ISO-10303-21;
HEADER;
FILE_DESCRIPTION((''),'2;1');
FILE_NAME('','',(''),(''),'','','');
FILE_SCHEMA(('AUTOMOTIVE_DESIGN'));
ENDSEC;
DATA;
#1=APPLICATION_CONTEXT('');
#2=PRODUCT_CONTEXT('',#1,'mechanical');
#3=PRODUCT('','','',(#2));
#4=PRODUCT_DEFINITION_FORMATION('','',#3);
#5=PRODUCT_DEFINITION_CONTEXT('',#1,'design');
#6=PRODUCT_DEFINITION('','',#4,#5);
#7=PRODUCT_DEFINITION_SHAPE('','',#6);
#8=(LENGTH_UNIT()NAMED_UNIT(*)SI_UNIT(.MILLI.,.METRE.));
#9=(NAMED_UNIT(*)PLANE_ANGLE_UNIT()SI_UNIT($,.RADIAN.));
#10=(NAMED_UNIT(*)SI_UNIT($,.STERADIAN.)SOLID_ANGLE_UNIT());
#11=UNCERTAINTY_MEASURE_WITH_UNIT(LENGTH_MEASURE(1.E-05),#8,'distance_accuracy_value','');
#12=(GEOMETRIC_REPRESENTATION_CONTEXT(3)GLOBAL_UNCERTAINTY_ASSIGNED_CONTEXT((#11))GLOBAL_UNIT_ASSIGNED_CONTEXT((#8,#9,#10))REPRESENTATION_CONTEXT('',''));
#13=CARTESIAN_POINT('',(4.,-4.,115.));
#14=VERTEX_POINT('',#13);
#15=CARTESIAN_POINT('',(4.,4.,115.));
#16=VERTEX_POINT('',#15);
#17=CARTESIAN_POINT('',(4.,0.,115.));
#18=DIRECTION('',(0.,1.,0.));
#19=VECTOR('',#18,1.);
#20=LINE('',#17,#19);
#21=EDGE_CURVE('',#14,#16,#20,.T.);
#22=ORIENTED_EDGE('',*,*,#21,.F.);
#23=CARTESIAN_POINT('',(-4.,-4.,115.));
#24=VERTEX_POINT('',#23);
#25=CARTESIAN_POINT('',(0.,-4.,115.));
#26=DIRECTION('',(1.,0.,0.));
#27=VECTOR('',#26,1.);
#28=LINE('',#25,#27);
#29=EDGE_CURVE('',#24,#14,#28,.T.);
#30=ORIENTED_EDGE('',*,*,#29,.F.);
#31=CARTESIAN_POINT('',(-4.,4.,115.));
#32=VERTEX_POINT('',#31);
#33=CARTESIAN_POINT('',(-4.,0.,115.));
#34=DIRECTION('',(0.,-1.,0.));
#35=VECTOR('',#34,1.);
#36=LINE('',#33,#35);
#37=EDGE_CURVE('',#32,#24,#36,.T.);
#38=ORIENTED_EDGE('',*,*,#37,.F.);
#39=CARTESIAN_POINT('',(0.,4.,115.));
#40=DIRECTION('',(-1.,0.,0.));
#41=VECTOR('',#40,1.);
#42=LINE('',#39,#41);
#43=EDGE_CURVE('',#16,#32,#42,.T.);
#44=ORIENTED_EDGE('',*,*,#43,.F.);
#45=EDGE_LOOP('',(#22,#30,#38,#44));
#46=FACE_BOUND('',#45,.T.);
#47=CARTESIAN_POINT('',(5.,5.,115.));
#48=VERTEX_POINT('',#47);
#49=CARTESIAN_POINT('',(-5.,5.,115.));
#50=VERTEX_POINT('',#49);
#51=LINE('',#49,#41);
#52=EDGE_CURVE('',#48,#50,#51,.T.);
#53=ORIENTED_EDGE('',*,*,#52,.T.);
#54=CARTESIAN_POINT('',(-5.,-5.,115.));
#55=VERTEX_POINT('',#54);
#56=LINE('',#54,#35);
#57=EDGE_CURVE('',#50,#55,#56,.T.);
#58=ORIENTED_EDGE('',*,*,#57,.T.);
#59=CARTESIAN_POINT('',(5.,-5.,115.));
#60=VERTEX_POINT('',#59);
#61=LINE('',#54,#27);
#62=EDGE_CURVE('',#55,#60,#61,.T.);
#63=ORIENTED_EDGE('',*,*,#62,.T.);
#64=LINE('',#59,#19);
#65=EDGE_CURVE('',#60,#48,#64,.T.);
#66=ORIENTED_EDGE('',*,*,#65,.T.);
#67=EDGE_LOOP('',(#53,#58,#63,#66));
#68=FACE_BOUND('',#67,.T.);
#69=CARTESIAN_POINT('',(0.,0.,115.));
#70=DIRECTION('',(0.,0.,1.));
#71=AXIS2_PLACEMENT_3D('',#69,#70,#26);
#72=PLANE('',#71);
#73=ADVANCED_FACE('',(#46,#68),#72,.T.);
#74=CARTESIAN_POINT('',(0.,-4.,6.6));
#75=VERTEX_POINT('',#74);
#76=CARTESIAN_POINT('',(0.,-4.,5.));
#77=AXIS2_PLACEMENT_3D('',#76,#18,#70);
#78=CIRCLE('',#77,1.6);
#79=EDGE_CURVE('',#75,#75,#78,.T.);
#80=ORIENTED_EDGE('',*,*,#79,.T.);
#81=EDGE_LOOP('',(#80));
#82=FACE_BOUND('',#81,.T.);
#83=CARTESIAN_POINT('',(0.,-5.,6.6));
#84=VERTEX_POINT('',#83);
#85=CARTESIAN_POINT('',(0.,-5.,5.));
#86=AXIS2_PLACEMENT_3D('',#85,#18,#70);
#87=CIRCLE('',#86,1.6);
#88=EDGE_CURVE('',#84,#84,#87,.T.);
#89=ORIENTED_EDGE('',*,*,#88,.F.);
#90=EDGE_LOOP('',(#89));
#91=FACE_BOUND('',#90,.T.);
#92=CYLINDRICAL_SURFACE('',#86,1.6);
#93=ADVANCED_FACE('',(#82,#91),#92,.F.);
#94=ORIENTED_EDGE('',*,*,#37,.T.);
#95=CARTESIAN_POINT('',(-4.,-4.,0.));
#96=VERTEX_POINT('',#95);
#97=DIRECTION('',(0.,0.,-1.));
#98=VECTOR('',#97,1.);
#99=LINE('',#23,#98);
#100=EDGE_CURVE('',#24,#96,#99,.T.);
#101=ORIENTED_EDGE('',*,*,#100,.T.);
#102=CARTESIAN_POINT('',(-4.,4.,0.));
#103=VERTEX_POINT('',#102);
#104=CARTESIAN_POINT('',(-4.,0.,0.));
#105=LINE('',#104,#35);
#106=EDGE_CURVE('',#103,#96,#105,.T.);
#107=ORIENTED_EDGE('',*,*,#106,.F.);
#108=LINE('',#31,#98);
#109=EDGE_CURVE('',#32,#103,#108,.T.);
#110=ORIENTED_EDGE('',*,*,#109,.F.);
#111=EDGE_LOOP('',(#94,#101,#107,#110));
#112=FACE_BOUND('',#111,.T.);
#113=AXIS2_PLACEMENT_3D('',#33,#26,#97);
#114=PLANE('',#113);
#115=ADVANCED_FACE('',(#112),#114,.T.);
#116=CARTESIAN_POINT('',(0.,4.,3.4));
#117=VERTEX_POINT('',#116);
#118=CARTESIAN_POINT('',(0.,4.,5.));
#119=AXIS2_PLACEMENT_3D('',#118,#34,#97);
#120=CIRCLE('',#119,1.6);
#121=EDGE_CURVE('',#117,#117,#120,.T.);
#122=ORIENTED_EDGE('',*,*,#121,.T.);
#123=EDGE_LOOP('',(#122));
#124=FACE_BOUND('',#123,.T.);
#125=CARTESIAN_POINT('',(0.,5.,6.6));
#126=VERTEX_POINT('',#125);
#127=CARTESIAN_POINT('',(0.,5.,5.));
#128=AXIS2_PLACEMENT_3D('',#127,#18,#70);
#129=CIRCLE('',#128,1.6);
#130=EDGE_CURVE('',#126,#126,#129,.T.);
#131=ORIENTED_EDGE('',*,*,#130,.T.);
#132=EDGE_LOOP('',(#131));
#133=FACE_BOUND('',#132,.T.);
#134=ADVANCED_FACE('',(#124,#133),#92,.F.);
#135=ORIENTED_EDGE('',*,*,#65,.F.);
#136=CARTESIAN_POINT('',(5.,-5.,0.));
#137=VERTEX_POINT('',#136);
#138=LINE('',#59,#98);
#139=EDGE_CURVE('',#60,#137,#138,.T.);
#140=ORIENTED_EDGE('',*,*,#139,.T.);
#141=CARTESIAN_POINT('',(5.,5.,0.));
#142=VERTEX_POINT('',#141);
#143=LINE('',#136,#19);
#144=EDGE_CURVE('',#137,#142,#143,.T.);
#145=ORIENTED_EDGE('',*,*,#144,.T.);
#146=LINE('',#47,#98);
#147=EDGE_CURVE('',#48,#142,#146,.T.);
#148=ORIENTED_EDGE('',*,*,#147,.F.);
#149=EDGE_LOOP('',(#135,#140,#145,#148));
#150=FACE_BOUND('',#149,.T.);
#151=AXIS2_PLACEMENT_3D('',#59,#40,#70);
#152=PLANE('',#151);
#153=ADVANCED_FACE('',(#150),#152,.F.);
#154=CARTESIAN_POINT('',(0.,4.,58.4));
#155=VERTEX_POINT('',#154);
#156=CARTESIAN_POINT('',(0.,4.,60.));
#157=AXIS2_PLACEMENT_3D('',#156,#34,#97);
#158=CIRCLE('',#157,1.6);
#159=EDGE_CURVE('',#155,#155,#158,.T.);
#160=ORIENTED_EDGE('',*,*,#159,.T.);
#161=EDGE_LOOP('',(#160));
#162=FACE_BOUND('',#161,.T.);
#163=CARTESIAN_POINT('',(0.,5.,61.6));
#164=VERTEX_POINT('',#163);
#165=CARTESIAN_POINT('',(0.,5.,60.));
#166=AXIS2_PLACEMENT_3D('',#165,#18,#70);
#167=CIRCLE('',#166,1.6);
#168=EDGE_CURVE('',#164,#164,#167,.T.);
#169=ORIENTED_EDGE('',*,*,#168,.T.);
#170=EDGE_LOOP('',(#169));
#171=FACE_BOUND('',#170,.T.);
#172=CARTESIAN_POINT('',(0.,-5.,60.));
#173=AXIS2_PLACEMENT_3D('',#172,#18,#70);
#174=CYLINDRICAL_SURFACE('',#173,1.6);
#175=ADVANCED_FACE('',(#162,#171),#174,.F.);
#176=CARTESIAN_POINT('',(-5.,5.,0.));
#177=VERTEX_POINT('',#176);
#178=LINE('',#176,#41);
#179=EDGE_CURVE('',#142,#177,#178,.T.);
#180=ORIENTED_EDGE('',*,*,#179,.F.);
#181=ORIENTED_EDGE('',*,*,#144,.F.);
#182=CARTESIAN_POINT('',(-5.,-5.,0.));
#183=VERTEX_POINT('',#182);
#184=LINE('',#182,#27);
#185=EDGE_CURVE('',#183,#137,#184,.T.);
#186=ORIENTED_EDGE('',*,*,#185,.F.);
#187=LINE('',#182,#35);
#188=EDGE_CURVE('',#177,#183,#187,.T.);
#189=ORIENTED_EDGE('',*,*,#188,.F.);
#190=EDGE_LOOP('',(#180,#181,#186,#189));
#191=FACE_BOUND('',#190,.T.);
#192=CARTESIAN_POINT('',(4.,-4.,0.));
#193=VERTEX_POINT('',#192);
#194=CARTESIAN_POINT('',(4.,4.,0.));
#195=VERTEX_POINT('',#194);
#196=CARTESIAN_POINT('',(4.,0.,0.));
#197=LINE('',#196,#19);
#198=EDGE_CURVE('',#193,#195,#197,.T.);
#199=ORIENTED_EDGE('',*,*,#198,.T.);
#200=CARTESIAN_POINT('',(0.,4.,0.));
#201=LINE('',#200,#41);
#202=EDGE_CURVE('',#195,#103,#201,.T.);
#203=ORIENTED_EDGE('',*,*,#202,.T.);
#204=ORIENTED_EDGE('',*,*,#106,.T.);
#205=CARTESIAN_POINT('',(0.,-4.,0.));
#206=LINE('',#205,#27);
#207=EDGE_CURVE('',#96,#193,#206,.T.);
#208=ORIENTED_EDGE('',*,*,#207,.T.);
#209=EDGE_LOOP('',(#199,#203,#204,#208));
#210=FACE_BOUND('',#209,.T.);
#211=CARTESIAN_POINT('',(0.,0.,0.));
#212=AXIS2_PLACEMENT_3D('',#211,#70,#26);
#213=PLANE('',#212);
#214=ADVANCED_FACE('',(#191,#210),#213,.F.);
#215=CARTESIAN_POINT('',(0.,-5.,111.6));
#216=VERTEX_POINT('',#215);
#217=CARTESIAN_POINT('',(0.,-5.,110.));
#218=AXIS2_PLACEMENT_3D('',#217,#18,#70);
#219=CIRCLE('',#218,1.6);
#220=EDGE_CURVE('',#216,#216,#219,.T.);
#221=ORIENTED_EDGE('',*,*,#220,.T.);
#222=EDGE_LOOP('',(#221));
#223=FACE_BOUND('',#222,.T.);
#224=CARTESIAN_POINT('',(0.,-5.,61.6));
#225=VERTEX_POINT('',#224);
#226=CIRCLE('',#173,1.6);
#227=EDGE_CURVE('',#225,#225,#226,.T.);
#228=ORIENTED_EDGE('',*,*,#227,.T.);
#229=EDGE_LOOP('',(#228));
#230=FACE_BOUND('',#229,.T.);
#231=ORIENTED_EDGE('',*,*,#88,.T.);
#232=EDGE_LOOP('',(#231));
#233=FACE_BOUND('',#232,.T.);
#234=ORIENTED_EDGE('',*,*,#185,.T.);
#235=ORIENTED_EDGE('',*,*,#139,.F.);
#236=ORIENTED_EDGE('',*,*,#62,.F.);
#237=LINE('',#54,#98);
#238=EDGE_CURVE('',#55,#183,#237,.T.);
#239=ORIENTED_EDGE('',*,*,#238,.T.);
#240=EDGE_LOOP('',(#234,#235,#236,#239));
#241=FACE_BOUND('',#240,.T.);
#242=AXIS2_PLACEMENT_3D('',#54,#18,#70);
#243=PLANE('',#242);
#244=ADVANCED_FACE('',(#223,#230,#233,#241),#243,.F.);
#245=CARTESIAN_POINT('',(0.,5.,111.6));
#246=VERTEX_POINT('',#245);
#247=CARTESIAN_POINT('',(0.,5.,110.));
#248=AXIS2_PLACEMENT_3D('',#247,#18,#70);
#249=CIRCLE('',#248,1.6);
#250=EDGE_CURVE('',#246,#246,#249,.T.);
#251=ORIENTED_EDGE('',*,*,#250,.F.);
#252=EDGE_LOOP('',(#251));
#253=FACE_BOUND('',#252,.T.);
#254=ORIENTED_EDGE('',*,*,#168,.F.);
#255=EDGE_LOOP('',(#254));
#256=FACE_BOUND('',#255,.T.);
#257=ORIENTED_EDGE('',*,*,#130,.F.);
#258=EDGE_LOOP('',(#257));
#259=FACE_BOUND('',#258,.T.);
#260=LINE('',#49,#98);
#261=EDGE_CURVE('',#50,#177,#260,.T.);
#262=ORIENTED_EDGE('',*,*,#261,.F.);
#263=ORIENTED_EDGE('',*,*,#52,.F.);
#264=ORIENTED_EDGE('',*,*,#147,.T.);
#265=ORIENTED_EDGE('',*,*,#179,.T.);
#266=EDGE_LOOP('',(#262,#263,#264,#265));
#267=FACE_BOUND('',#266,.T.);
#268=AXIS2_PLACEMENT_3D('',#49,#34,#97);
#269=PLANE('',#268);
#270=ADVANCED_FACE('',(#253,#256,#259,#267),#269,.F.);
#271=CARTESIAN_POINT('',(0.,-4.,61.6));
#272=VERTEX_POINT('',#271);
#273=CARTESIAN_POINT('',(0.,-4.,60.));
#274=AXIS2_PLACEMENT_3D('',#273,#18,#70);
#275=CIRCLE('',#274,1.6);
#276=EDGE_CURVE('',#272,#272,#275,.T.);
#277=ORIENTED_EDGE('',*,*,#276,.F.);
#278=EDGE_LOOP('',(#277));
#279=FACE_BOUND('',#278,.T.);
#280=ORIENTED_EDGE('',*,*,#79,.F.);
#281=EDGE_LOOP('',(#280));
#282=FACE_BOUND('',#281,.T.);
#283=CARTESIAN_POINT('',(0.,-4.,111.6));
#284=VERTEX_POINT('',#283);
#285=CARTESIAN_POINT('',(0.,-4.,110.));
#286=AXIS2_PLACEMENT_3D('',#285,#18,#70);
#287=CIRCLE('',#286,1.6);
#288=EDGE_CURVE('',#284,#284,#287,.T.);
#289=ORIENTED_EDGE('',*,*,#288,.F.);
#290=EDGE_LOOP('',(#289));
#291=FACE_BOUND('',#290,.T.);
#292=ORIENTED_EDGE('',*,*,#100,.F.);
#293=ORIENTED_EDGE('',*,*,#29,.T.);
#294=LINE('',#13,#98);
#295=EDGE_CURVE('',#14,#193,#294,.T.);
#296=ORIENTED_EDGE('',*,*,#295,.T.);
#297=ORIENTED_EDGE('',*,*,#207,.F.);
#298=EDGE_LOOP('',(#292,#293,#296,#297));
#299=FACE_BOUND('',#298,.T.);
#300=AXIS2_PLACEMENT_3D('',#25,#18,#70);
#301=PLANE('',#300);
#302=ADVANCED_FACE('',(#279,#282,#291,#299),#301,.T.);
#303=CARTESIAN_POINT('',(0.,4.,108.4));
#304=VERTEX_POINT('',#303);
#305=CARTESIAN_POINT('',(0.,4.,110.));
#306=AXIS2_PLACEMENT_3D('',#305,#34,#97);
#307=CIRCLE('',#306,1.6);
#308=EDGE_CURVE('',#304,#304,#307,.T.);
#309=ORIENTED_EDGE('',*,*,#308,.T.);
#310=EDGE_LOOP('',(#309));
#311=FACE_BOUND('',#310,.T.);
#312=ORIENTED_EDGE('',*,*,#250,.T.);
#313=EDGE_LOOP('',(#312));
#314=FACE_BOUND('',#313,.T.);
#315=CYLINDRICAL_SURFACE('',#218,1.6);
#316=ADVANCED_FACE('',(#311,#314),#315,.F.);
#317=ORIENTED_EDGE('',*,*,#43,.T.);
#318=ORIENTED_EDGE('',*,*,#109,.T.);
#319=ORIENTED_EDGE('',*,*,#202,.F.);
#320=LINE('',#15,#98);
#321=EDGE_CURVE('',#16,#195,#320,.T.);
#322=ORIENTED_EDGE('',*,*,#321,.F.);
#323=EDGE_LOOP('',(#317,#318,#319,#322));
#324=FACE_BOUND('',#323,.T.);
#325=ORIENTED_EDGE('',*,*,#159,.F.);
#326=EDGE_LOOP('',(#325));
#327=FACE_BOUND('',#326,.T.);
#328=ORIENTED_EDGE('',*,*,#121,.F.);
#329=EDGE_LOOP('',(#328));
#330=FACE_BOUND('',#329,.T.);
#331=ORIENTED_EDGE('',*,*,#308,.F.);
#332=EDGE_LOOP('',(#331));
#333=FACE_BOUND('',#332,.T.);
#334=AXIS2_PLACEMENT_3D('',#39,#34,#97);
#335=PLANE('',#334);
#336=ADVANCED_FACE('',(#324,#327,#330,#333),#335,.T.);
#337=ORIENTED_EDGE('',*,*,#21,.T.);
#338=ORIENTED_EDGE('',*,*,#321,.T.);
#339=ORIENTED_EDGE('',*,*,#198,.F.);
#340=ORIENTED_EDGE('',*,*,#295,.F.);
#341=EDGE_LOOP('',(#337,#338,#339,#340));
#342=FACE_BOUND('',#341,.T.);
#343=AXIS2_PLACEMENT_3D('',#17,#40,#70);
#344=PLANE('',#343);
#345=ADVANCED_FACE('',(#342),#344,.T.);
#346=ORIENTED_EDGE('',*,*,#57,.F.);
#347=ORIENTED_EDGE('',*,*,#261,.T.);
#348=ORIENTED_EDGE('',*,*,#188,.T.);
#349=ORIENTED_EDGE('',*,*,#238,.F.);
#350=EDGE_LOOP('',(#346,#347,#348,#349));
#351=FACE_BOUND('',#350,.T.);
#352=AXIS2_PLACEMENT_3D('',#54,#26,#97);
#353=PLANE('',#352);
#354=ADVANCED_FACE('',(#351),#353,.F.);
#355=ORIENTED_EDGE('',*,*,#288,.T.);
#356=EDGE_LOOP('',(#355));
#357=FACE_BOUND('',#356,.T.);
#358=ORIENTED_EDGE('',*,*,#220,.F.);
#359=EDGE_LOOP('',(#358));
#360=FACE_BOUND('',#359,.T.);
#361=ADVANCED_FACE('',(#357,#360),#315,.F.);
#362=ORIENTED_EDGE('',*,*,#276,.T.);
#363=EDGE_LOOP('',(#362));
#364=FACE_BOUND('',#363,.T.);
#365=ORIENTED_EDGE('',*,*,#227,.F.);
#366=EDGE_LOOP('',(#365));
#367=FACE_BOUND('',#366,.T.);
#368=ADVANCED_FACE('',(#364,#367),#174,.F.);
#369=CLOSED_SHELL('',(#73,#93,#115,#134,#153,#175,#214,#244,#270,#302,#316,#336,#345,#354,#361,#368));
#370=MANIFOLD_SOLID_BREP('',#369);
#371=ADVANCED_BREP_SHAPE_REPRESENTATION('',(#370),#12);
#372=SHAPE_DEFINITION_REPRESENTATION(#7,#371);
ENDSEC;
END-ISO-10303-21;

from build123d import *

# Parameters (mm, degrees)
SKETCH_282_W          = 10
SKETCH_282_H          = 10
SKETCH_282_W_2        = 8
SKETCH_282_H_2        = 8
EXTRUDE_339_DEPTH     = 115
SKETCH_411_R          = 1.6
CUT_EXTRUDE_788_DEPTH = 116.542200083


with BuildPart() as part:
    # Sketch 282 → Extrude 339 (new body)
    with BuildSketch(Plane.XY):
        Rectangle(SKETCH_282_W, SKETCH_282_H)
        Rectangle(SKETCH_282_W_2, SKETCH_282_H_2, mode=Mode.SUBTRACT)
    extrude(amount=EXTRUDE_339_DEPTH)

    # Sketch 411 → Cut-Extrude 788 (cut, through all)
    with BuildSketch(Plane(origin=(0, 5, 0), x_dir=(1, 0, 0), z_dir=(0, 1, 0))):
        with Locations(Location((0, -5, 0), (0, 0, 270))):
            Circle(SKETCH_411_R)
        with Locations(Location((0, -60, 0), (0, 0, 270))):
            Circle(SKETCH_411_R)
        with Locations(Location((0, -110, 0), (0, 0, 270))):
            Circle(SKETCH_411_R)
    extrude(amount=-CUT_EXTRUDE_788_DEPTH, mode=Mode.SUBTRACT)


solid = part.part
